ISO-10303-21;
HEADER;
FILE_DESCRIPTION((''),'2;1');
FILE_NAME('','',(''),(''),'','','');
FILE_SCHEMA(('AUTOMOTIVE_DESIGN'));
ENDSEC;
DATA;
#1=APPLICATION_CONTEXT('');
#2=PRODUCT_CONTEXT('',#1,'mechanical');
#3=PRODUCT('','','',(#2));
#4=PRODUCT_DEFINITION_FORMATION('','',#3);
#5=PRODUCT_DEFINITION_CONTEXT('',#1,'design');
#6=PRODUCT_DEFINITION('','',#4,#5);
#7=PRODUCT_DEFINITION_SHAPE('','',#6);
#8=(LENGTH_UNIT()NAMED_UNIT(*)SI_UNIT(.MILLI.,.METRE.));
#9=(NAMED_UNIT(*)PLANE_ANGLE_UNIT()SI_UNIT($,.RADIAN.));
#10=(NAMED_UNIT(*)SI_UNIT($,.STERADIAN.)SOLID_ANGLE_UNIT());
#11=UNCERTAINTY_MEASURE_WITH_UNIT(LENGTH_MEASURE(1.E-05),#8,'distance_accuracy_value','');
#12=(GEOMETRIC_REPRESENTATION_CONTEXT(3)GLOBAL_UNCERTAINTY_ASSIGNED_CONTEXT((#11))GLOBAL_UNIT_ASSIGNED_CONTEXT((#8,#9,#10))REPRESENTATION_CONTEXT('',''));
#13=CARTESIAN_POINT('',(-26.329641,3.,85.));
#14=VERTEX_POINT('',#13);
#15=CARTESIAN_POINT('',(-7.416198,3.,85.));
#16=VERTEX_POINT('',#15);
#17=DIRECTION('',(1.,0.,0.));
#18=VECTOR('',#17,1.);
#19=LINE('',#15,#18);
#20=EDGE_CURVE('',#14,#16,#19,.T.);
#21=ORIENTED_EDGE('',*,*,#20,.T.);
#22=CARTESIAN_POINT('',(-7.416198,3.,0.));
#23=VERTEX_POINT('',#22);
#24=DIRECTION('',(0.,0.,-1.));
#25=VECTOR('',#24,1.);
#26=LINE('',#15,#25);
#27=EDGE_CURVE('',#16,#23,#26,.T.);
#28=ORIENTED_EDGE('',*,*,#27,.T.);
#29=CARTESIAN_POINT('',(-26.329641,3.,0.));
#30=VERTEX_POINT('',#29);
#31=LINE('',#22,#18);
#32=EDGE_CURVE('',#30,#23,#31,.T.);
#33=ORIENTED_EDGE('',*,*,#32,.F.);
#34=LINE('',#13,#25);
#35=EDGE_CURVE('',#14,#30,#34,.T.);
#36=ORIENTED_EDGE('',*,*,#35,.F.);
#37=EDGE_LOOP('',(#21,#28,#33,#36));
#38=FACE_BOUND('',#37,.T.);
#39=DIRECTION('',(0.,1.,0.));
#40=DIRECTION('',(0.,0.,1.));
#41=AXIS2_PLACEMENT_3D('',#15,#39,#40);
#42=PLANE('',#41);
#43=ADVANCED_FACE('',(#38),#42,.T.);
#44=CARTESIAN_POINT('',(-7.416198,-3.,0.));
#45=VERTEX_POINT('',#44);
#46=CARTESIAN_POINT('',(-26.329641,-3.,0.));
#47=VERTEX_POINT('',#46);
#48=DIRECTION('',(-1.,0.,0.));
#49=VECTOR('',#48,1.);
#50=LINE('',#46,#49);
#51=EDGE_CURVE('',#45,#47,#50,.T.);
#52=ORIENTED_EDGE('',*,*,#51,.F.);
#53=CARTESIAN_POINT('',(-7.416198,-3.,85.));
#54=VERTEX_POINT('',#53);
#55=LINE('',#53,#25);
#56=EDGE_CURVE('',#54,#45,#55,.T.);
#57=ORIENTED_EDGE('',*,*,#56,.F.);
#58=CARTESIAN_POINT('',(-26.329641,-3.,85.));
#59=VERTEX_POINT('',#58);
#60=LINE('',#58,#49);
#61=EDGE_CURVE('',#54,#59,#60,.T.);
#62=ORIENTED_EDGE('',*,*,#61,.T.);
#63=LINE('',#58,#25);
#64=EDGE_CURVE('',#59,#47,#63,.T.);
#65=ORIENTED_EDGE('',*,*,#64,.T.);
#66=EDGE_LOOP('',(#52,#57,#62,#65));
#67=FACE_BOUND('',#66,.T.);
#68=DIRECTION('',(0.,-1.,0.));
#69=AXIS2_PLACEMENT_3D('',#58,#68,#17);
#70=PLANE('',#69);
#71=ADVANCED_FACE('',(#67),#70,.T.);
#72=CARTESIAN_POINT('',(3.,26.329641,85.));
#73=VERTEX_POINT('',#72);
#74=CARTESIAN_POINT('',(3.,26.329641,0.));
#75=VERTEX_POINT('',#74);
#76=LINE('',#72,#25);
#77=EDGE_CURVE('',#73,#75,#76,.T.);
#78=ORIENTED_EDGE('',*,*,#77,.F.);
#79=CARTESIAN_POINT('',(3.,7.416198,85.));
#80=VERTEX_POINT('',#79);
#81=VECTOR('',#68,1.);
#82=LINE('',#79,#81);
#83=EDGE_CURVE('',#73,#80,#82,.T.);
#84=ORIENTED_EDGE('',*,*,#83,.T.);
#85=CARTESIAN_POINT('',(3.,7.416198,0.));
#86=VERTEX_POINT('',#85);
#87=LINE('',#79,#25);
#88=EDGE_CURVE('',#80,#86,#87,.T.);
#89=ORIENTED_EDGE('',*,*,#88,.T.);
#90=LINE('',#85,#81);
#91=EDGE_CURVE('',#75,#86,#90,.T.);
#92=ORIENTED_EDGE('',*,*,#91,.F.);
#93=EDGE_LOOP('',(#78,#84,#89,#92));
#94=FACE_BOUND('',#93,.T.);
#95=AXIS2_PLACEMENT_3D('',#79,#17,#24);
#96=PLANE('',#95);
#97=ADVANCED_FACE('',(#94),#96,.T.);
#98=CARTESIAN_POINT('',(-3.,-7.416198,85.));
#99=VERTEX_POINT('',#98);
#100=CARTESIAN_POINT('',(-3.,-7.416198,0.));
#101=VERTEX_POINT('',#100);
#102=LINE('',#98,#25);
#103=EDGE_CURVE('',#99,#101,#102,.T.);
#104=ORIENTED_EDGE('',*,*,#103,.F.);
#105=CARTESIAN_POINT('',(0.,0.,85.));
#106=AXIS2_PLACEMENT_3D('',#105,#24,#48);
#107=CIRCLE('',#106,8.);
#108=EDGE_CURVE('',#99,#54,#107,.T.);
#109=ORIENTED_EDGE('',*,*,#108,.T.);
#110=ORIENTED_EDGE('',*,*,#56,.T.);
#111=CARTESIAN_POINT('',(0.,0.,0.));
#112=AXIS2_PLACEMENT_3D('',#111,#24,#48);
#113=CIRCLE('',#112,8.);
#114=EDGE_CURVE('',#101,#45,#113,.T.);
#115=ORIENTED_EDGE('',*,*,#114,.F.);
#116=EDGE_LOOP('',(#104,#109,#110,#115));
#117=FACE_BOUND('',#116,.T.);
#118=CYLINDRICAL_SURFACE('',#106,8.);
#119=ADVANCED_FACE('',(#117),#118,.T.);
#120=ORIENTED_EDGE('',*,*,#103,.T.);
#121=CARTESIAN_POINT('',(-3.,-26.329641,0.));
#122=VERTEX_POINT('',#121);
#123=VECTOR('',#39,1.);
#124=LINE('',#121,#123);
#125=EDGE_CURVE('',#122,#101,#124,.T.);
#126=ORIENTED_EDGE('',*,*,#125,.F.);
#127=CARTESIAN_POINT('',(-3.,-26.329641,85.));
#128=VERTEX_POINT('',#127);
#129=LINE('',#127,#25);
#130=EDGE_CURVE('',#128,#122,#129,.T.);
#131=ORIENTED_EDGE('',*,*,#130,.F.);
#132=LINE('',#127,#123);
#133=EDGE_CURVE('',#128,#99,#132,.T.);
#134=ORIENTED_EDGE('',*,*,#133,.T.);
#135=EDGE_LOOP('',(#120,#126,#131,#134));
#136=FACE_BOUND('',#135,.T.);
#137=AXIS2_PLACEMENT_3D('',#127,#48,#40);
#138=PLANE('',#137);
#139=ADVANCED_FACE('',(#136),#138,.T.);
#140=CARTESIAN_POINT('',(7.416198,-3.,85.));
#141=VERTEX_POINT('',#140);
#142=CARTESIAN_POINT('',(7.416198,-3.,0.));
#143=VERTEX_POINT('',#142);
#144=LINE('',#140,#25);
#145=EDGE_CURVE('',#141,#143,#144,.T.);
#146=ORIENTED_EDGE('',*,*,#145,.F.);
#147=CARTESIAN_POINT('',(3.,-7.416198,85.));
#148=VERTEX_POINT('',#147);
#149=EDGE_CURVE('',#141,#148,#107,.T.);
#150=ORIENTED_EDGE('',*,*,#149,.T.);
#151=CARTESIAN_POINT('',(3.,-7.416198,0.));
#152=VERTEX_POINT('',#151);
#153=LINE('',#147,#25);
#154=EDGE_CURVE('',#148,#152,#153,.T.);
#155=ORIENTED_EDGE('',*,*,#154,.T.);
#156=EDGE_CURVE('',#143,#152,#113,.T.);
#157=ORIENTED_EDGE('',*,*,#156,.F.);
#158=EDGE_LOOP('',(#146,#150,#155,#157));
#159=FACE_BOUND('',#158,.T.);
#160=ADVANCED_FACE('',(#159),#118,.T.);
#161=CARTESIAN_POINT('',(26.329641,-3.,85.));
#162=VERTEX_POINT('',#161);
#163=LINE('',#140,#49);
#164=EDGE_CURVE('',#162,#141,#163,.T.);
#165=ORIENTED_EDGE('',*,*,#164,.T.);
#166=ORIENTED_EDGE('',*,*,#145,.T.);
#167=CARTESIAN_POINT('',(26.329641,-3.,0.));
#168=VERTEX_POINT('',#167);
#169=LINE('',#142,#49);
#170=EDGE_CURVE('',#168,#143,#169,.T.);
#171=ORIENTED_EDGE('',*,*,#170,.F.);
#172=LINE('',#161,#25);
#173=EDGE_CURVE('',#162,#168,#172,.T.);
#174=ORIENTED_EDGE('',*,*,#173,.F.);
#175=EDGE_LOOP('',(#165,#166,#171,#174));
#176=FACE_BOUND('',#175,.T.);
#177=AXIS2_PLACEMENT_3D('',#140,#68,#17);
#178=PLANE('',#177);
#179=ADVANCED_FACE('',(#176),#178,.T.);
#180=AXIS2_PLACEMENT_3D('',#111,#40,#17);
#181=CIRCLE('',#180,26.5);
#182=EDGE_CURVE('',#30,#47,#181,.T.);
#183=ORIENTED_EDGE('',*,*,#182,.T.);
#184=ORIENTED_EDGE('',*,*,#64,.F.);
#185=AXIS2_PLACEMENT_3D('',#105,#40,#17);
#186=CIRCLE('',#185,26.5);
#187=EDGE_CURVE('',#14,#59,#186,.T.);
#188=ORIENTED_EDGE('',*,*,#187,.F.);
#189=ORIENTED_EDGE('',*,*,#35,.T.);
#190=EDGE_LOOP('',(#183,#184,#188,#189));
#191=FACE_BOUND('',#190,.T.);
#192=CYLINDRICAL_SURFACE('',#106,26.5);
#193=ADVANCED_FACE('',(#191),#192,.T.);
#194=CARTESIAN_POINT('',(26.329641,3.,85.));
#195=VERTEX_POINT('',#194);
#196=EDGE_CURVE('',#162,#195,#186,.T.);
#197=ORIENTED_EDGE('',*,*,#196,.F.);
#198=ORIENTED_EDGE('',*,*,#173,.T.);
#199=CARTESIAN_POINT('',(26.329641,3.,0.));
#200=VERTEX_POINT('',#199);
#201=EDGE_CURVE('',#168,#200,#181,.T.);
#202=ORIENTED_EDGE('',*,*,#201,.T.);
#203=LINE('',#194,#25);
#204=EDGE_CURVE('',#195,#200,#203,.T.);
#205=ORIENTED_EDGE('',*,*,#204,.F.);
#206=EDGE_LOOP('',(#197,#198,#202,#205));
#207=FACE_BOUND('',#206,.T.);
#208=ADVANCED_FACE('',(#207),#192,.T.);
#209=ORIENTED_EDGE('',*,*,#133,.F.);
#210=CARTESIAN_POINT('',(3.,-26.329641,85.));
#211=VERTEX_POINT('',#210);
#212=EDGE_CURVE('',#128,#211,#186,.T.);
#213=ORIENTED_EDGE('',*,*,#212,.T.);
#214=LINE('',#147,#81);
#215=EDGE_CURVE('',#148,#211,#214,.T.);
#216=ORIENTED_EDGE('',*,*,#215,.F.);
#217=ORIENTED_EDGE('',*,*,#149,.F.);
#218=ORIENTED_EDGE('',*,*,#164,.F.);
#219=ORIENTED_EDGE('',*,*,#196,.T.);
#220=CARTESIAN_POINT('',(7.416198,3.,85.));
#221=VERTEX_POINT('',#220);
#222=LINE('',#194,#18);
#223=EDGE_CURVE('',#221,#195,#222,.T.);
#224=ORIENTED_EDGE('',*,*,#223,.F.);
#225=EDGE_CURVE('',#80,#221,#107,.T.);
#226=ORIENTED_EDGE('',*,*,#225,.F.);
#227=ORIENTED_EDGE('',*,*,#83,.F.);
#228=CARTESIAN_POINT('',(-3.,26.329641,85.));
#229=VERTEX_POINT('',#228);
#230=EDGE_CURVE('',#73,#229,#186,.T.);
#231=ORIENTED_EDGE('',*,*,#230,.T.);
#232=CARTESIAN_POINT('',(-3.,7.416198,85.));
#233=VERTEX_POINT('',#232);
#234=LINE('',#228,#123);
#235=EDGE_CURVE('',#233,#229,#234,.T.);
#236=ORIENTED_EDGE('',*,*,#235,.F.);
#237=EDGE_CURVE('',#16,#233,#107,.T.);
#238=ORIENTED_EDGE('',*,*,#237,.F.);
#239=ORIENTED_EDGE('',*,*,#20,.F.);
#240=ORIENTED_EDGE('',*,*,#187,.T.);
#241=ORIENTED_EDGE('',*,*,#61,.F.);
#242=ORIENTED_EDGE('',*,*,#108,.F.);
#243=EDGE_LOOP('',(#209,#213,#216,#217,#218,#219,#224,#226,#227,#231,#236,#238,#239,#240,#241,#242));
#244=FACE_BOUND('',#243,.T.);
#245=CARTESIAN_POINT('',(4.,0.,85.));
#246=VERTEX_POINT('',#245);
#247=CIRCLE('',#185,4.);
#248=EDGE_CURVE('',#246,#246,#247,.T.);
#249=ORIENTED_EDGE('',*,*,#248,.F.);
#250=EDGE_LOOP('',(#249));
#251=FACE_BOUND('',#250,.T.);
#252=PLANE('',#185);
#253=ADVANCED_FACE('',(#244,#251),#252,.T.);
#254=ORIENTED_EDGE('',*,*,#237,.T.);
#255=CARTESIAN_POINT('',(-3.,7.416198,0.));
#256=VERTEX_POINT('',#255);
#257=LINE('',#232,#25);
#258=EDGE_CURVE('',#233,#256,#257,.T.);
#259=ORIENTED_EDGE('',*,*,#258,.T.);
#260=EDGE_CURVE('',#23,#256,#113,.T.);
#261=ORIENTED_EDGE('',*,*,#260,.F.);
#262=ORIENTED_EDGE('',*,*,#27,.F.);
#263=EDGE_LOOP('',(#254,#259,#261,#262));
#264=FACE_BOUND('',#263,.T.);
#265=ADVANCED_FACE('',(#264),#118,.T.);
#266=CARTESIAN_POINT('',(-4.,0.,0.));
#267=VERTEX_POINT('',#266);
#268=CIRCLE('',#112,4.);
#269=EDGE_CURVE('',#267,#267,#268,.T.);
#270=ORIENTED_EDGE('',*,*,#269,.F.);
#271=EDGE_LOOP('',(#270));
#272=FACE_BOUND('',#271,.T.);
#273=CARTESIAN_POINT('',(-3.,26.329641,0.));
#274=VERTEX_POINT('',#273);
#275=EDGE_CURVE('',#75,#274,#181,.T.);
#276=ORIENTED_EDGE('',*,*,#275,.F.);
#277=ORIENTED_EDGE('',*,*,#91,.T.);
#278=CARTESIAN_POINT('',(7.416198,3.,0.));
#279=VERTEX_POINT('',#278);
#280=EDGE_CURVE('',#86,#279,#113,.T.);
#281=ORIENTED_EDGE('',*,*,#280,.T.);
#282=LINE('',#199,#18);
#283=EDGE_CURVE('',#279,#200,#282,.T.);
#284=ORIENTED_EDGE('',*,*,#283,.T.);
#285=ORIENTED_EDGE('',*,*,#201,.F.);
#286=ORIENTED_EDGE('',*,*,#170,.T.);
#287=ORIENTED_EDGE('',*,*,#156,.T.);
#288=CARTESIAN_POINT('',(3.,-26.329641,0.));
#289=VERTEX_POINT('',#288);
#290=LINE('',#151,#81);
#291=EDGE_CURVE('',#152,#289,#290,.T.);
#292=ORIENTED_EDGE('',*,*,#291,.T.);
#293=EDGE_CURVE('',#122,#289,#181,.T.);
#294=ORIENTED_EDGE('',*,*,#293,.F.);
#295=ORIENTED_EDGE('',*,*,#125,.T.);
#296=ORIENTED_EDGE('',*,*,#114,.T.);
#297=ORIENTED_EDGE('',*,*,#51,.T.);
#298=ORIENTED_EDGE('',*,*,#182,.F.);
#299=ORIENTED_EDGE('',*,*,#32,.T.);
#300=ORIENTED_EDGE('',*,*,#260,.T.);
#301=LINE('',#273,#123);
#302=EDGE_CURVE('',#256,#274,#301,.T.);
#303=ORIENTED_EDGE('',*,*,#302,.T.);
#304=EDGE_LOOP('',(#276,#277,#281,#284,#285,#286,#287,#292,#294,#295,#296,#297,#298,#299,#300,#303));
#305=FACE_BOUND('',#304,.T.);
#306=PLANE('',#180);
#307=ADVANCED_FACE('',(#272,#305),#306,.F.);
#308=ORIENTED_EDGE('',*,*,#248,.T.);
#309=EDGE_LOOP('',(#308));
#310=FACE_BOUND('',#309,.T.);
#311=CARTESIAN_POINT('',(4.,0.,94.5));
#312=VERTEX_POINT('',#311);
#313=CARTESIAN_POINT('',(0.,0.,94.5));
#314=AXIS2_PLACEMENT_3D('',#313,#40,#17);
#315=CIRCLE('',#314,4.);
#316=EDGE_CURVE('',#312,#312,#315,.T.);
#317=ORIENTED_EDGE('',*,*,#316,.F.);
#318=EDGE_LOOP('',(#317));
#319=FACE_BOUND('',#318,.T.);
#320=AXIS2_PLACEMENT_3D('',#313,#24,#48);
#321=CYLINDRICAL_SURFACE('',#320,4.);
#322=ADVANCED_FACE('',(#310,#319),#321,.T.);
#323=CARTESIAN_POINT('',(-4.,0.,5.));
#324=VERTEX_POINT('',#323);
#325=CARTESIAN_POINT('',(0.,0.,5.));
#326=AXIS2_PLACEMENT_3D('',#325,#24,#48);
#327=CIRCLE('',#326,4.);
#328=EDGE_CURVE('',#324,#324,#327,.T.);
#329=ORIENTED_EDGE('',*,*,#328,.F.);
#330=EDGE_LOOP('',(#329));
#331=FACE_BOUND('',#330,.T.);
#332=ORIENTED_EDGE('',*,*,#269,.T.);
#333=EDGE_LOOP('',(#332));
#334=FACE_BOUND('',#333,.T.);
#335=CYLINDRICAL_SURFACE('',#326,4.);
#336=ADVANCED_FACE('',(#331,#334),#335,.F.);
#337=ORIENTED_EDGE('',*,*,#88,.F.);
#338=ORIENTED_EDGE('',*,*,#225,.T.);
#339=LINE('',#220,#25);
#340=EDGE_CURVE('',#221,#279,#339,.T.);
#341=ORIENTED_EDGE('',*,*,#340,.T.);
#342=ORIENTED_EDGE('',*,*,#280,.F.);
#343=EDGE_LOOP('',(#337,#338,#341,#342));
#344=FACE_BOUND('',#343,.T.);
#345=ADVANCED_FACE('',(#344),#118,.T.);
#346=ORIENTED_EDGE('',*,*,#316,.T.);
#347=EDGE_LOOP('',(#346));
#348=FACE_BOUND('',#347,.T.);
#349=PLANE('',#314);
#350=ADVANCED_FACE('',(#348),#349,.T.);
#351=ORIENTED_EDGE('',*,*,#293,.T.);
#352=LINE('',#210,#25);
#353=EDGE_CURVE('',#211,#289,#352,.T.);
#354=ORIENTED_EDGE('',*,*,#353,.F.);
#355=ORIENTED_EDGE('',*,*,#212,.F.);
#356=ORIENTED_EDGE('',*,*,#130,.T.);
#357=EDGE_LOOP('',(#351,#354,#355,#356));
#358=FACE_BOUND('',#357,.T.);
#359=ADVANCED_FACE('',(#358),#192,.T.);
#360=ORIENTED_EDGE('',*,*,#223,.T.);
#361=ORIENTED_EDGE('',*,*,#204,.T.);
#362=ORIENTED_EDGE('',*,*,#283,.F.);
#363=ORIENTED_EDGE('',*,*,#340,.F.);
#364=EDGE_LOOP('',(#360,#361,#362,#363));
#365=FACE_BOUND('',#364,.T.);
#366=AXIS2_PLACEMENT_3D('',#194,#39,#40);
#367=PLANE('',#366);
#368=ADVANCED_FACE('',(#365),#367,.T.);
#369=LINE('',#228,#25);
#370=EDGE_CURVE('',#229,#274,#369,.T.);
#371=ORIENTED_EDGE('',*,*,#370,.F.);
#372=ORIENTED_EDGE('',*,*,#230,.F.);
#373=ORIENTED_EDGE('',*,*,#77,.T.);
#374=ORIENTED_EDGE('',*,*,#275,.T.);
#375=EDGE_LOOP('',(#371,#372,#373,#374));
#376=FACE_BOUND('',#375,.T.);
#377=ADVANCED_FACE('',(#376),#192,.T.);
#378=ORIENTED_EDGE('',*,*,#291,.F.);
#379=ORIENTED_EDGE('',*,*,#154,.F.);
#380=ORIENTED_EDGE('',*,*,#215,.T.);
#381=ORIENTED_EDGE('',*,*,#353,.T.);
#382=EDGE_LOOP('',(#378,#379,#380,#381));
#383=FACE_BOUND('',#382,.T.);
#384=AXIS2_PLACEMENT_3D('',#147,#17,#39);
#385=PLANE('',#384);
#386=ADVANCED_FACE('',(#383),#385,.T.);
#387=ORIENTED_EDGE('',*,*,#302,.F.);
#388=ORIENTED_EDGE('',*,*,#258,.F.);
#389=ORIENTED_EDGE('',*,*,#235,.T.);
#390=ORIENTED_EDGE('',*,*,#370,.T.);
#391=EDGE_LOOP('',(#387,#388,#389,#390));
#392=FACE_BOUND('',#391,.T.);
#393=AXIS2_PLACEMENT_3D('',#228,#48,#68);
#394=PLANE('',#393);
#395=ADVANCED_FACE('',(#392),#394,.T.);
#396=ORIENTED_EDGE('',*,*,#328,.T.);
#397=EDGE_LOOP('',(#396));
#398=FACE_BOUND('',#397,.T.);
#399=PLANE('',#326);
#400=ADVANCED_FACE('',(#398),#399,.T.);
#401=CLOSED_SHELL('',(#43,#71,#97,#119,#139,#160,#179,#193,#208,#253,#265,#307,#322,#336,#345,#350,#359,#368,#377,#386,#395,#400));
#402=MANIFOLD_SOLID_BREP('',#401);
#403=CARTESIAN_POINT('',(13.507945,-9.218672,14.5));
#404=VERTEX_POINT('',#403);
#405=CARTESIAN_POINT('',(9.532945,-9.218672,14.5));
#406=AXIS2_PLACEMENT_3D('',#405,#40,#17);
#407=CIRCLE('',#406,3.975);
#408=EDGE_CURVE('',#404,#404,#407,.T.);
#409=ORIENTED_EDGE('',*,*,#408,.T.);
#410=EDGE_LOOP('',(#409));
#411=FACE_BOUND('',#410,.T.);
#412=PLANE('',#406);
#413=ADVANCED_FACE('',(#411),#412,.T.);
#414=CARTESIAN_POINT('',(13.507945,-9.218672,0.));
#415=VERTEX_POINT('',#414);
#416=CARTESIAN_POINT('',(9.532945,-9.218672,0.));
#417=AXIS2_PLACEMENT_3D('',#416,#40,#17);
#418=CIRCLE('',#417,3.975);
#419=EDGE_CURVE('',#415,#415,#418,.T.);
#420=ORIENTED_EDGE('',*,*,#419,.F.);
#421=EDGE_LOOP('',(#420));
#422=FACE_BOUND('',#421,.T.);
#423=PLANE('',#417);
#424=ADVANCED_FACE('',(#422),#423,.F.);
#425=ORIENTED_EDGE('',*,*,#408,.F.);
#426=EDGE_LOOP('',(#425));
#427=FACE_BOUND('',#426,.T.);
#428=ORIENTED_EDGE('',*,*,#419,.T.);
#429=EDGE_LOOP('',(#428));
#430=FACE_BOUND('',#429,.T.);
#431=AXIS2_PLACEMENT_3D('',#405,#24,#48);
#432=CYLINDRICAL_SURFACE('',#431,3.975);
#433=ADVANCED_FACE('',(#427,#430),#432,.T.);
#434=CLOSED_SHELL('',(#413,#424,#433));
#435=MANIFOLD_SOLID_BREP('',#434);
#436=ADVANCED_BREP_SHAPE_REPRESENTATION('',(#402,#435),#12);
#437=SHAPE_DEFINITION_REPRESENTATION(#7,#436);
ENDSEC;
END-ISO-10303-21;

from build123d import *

# Parameters (mm, degrees)
SKETCH1_R           = 26.5
BOSS_EXTRUDE1_DEPTH = 85
SKETCH3_R           = 4
CUT_EXTRUDE2_DEPTH  = 5
SKETCH4_OUTSIDE_W   = 77.666
SKETCH4_OUTSIDE_H   = 77.666
CUT_EXTRUDE3_DEPTH  = 86
SKETCH5_R           = 3.975
BOSS_EXTRUDE2_DEPTH = 14.5
SKETCH2_R           = 4
BOSS_EXTRUDE3_DEPTH = 9.5


with BuildPart() as part:
    # Sketch1 → Boss-Extrude1 (new body)
    with BuildSketch(Plane.XY):
        Circle(SKETCH1_R)
    extrude(amount=BOSS_EXTRUDE1_DEPTH)

    # Sketch3 → Cut-Extrude2 (cut)
    with BuildSketch(Plane(origin=(0, 0, 0), x_dir=(-1, 0, 0), z_dir=(0, 0, -1))):
        Circle(SKETCH3_R)
    extrude(amount=-CUT_EXTRUDE2_DEPTH, mode=Mode.SUBTRACT)

    # Sketch4 outside → Cut-Extrude3 (cut, through all)
    with BuildSketch(Plane(origin=(0, 0, 0), x_dir=(-1, 0, 0), z_dir=(0, 0, -1))):
        Rectangle(SKETCH4_OUTSIDE_W, SKETCH4_OUTSIDE_H)
        with BuildLine():
            Line((-26.329641091, 3), (-7.416198487, 3))
            ThreePointArc((-7.416198487, 3), (-5.656854249, 5.656854249), (-3, 7.416198487))
            Line((-3, 7.416198487), (-3, 26.329641091))
            ThreePointArc((-3, 26.329641091), (0, 26.5), (3, 26.329641091))
            Line((3, 26.329641091), (3, 7.416198487))
            ThreePointArc((3, 7.416198487), (5.656854249, 5.656854249), (7.416198487, 3))
            Line((7.416198487, 3), (26.329641091, 3))
            ThreePointArc((26.329641091, 3), (26.5, 0), (26.329641091, -3))
            Line((26.329641091, -3), (7.416198487, -3))
            ThreePointArc((7.416198487, -3), (5.656854249, -5.656854249), (3, -7.416198487))
            Line((3, -7.416198487), (3, -26.329641091))
            ThreePointArc((3, -26.329641091), (0, -26.5), (-3, -26.329641091))
            Line((-3, -26.329641091), (-3, -7.416198487))
            ThreePointArc((-3, -7.416198487), (-5.656854249, -5.656854249), (-7.416198487, -3))
            Line((-7.416198487, -3), (-26.329641091, -3))
            ThreePointArc((-26.329641091, -3), (-26.5, 0), (-26.329641091, 3))
        make_face(mode=Mode.SUBTRACT)
    extrude(amount=-CUT_EXTRUDE3_DEPTH, mode=Mode.SUBTRACT)

    # Sketch2 → Boss-Extrude3 (add)
    with BuildSketch(Plane.XY.offset(85)):
        Circle(SKETCH2_R)
    extrude(amount=BOSS_EXTRUDE3_DEPTH)


with BuildPart() as body_2:
    # Sketch5 → Boss-Extrude2 (new body)
    with BuildSketch(Plane.XY):
        with Locations((9.53294491, -9.218672001)):
            Circle(SKETCH5_R)
    extrude(amount=BOSS_EXTRUDE2_DEPTH)


solid = Compound([part.part, body_2.part])
